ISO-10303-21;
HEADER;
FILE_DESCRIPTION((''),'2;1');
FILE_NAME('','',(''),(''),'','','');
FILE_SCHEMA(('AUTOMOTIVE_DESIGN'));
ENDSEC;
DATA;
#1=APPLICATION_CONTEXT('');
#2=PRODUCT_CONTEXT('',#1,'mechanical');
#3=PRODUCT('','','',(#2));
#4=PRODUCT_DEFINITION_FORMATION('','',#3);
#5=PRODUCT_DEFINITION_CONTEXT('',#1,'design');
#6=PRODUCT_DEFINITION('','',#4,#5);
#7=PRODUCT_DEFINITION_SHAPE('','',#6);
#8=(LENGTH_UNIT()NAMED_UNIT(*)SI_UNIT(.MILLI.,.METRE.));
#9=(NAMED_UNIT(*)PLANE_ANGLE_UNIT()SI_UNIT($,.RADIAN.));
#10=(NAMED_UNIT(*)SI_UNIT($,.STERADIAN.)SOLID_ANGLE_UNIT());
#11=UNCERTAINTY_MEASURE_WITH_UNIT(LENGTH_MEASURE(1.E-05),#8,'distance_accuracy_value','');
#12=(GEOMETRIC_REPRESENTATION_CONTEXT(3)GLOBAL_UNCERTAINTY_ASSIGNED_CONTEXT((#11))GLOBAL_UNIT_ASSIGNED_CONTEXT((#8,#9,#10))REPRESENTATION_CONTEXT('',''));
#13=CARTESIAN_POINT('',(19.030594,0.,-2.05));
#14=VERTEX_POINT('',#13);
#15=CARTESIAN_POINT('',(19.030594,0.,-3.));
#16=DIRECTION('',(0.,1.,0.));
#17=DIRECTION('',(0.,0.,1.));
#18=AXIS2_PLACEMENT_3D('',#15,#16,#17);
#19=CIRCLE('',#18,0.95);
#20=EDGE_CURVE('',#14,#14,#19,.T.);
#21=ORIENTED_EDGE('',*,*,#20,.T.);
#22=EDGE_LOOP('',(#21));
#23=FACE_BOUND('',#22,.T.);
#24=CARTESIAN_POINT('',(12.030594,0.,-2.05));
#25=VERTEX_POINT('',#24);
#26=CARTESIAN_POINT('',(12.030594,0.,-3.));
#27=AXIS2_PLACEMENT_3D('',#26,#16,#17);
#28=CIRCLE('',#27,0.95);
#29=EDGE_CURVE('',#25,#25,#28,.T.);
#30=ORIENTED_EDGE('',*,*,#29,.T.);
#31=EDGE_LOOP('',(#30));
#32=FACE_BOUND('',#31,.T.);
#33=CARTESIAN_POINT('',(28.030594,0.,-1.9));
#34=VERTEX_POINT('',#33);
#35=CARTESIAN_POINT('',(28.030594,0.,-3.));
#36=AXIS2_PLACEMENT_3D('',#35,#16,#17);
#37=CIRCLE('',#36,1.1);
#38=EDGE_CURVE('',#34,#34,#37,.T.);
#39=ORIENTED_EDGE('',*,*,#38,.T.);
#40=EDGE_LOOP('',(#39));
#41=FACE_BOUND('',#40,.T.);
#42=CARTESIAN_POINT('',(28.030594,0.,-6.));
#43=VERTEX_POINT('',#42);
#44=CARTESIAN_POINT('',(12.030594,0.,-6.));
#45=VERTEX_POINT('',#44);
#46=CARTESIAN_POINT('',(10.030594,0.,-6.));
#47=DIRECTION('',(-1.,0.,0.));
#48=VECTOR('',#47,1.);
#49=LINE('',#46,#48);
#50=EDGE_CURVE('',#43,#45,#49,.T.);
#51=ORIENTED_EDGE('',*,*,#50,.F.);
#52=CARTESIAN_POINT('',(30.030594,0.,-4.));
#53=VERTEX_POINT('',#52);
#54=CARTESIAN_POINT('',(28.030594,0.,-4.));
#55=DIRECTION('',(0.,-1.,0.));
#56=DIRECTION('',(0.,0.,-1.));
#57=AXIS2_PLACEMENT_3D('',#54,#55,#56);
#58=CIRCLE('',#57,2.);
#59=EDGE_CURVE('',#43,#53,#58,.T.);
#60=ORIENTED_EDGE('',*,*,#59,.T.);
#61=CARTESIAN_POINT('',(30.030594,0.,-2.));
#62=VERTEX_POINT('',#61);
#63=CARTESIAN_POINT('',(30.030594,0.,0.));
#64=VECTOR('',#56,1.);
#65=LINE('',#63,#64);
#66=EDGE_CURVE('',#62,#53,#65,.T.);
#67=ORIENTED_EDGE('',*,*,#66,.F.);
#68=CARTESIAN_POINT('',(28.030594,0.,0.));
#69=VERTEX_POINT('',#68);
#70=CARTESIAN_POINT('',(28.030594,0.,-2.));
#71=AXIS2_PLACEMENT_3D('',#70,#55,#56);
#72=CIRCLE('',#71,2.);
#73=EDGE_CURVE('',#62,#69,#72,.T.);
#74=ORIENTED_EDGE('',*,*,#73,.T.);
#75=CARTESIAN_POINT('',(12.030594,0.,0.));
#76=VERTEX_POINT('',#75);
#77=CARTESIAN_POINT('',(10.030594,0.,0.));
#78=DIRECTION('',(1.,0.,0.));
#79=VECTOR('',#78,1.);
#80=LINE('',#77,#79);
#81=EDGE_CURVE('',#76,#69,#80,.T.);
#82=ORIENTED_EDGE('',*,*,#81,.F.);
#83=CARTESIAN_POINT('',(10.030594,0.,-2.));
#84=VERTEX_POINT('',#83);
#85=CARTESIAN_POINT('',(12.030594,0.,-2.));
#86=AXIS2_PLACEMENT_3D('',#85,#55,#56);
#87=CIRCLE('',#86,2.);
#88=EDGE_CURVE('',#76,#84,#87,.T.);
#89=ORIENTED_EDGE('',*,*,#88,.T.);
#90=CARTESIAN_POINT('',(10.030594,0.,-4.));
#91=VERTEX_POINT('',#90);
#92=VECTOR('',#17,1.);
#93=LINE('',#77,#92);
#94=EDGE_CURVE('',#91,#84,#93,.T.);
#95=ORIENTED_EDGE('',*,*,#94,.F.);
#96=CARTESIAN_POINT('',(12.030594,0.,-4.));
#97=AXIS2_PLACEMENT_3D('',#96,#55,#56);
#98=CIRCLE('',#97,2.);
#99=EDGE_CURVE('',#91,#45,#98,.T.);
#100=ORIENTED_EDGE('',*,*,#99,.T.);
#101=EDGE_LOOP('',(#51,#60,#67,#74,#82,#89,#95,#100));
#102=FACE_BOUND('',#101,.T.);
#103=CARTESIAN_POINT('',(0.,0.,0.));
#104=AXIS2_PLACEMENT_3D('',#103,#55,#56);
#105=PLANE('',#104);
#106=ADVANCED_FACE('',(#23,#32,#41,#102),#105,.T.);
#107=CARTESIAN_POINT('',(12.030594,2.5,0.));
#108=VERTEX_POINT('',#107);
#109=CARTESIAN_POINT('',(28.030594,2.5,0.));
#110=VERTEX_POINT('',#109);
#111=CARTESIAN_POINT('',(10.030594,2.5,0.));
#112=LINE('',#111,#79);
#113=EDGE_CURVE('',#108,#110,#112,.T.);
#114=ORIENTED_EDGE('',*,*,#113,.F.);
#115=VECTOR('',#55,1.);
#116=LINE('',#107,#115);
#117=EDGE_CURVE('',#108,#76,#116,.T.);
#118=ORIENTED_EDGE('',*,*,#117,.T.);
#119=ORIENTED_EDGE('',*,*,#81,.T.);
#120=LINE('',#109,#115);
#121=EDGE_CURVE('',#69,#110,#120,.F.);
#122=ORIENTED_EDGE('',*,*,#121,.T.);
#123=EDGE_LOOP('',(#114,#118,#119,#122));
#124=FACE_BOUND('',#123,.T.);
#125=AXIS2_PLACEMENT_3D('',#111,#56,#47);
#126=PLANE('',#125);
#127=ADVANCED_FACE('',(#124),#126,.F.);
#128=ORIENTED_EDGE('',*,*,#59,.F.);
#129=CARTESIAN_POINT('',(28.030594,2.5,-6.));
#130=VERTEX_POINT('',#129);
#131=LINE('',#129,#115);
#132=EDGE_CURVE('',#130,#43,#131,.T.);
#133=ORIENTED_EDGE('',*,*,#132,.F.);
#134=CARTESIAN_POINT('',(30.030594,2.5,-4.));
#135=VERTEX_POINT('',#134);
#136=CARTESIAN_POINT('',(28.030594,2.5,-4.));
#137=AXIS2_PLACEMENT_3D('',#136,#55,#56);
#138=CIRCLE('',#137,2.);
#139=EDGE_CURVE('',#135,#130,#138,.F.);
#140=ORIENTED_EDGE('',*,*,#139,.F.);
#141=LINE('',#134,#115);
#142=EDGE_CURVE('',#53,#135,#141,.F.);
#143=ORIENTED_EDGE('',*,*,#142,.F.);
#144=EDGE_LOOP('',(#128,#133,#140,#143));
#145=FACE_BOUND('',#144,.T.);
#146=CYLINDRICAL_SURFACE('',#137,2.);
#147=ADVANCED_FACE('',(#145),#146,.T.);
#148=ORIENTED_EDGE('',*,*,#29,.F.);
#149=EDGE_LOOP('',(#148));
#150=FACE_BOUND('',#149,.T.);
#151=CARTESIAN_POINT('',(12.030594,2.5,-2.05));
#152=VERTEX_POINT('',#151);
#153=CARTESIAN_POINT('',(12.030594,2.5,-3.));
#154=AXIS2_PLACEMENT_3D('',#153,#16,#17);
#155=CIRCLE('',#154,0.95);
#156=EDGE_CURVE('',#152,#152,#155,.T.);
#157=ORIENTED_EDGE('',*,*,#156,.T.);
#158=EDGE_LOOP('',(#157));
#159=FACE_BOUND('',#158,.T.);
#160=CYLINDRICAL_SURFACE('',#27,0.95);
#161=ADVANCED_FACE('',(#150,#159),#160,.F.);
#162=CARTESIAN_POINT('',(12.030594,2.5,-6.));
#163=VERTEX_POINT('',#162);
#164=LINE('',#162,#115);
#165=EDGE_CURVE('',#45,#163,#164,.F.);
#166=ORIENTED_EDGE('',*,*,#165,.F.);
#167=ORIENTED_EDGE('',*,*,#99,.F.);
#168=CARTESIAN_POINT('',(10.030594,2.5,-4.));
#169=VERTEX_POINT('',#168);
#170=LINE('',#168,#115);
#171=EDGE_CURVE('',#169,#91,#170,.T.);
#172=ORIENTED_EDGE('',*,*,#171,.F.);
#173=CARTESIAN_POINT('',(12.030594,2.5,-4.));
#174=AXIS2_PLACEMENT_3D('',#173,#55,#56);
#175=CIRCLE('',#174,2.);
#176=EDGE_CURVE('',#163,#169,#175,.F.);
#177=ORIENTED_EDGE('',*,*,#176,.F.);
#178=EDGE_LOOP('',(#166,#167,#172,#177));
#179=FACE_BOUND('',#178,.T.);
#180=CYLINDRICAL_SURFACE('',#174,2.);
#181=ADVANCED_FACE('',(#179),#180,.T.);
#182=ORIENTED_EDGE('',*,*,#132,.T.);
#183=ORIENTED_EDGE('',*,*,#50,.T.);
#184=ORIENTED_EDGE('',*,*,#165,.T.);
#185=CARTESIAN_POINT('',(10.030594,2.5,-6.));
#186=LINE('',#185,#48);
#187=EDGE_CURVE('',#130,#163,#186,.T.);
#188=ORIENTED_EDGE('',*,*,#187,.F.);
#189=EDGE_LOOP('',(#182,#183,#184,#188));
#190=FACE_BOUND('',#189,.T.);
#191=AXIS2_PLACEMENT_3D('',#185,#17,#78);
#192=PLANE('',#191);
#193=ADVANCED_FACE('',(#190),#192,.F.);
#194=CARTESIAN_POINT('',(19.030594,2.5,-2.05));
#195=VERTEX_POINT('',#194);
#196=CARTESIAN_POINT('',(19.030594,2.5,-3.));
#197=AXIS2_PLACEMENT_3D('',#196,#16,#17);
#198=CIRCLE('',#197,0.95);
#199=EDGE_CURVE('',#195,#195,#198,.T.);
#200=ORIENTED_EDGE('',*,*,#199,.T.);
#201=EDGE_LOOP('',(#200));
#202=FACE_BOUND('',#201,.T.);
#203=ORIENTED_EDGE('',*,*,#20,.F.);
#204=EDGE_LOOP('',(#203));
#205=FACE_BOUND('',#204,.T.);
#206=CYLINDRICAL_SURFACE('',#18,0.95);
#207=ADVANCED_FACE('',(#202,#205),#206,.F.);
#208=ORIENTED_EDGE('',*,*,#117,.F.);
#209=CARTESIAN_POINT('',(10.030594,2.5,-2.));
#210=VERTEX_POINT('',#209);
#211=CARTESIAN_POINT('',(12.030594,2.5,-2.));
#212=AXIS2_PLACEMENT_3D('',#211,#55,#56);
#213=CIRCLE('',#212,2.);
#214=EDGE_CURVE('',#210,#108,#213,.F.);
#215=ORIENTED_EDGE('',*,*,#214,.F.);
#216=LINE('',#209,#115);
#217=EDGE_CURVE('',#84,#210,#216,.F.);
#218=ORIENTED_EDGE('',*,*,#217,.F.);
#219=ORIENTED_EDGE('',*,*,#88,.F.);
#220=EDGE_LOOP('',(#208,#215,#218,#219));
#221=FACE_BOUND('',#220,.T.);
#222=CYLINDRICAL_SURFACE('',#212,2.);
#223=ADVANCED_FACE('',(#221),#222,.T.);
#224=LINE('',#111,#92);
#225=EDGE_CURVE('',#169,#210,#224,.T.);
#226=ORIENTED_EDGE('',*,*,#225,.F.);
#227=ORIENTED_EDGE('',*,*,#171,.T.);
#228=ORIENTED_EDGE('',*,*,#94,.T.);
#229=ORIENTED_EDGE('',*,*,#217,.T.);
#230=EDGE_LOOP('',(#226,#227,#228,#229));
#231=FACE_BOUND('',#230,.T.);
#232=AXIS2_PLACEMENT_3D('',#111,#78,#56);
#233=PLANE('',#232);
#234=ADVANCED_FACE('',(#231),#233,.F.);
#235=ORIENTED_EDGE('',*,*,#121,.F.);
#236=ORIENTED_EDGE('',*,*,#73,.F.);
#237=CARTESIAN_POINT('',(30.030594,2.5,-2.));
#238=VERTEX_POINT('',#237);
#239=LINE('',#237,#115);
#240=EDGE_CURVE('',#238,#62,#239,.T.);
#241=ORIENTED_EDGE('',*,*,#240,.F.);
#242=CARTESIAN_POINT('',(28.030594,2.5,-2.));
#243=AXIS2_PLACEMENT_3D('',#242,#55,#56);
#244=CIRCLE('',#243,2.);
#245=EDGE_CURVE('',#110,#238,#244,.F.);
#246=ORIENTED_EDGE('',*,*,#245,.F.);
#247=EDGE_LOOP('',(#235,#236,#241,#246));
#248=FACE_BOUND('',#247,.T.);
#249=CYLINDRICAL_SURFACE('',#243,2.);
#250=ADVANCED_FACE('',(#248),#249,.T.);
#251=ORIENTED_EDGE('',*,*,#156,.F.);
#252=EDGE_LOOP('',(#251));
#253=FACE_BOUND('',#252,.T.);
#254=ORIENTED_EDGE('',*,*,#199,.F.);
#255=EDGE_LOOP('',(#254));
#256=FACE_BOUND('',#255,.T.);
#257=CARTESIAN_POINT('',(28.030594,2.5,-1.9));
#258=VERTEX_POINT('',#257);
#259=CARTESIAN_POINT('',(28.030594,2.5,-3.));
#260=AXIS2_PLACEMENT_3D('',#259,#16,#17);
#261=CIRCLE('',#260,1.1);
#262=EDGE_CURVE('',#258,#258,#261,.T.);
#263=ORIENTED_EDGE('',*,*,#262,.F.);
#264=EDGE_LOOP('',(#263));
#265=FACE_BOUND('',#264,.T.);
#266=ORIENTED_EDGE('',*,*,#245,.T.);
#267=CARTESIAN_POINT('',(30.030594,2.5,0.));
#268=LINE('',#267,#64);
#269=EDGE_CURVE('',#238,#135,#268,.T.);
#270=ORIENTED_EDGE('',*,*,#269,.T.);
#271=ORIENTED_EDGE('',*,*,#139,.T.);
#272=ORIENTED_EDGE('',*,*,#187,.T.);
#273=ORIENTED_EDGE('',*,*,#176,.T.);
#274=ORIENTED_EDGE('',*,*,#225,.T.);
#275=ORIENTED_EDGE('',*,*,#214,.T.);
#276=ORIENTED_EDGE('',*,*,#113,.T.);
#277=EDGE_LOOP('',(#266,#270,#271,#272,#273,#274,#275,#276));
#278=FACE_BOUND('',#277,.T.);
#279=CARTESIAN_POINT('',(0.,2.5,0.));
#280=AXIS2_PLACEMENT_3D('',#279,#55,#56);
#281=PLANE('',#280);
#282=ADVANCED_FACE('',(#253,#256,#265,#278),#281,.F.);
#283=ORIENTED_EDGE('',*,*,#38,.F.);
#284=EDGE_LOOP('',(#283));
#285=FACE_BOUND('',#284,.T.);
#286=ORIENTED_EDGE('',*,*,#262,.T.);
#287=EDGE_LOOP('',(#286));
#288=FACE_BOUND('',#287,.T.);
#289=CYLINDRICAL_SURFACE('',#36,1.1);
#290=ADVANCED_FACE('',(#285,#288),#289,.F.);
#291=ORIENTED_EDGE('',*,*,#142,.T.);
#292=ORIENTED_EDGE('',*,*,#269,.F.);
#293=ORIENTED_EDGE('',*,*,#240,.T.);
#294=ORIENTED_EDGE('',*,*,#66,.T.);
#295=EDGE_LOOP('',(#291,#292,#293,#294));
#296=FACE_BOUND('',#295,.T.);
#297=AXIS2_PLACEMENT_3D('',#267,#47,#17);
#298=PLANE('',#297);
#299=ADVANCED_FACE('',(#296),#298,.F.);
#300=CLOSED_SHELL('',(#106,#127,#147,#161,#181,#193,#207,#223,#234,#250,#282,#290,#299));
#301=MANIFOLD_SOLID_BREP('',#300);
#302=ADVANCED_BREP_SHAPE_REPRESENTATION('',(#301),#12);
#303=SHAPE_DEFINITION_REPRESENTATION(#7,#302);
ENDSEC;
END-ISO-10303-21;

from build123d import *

# Parameters (mm, degrees)
SKETCH_1_W          = 20
SKETCH_1_H          = 6
EXTRUDE_1_DEPTH     = 2.5
SKETCH_2_R          = 1.1
SKETCH_2_R_2        = 0.95
CUT_EXTRUDE_1_DEPTH = 31.72599184
FILLET_1_R          = 2


with BuildPart() as part:
    # 草图1 → 凸台-拉伸1 (new body)
    with BuildSketch(Plane(origin=(0, 0, 0), x_dir=(1, 0, 0), z_dir=(0, 1, 0))):
        with Locations((20.030593976, 3)):
            Rectangle(SKETCH_1_W, SKETCH_1_H)
    extrude(amount=EXTRUDE_1_DEPTH)

    # 草图2 → 切除-拉伸1 (cut, through all)
    with BuildSketch(Plane(origin=(0, 2.5, 0), x_dir=(1, 0, 0), z_dir=(0, 1, 0))):
        with Locations(Location((28.030593976, 3, 0), (0, 0, 270))):
            Circle(SKETCH_2_R)
        with Locations(Location((12.030593976, 3, 0), (0, 0, 270))):
            Circle(SKETCH_2_R_2)
        with Locations(Location((19.030593976, 3, 0), (0, 0, 270))):
            Circle(SKETCH_2_R_2)
    extrude(amount=-CUT_EXTRUDE_1_DEPTH, mode=Mode.SUBTRACT)

    # 圆角1
    fillet_1_edges = [part.edges().sort_by_distance(p)[0] for p in [
        (10.030593976, 1.25, -6),
        (30.030593976, 1.25, -6),
        (30.030593976, 1.25, 0),
        (10.030593976, 1.25, 0),
    ]]
    fillet(fillet_1_edges, radius=FILLET_1_R)


solid = part.part
